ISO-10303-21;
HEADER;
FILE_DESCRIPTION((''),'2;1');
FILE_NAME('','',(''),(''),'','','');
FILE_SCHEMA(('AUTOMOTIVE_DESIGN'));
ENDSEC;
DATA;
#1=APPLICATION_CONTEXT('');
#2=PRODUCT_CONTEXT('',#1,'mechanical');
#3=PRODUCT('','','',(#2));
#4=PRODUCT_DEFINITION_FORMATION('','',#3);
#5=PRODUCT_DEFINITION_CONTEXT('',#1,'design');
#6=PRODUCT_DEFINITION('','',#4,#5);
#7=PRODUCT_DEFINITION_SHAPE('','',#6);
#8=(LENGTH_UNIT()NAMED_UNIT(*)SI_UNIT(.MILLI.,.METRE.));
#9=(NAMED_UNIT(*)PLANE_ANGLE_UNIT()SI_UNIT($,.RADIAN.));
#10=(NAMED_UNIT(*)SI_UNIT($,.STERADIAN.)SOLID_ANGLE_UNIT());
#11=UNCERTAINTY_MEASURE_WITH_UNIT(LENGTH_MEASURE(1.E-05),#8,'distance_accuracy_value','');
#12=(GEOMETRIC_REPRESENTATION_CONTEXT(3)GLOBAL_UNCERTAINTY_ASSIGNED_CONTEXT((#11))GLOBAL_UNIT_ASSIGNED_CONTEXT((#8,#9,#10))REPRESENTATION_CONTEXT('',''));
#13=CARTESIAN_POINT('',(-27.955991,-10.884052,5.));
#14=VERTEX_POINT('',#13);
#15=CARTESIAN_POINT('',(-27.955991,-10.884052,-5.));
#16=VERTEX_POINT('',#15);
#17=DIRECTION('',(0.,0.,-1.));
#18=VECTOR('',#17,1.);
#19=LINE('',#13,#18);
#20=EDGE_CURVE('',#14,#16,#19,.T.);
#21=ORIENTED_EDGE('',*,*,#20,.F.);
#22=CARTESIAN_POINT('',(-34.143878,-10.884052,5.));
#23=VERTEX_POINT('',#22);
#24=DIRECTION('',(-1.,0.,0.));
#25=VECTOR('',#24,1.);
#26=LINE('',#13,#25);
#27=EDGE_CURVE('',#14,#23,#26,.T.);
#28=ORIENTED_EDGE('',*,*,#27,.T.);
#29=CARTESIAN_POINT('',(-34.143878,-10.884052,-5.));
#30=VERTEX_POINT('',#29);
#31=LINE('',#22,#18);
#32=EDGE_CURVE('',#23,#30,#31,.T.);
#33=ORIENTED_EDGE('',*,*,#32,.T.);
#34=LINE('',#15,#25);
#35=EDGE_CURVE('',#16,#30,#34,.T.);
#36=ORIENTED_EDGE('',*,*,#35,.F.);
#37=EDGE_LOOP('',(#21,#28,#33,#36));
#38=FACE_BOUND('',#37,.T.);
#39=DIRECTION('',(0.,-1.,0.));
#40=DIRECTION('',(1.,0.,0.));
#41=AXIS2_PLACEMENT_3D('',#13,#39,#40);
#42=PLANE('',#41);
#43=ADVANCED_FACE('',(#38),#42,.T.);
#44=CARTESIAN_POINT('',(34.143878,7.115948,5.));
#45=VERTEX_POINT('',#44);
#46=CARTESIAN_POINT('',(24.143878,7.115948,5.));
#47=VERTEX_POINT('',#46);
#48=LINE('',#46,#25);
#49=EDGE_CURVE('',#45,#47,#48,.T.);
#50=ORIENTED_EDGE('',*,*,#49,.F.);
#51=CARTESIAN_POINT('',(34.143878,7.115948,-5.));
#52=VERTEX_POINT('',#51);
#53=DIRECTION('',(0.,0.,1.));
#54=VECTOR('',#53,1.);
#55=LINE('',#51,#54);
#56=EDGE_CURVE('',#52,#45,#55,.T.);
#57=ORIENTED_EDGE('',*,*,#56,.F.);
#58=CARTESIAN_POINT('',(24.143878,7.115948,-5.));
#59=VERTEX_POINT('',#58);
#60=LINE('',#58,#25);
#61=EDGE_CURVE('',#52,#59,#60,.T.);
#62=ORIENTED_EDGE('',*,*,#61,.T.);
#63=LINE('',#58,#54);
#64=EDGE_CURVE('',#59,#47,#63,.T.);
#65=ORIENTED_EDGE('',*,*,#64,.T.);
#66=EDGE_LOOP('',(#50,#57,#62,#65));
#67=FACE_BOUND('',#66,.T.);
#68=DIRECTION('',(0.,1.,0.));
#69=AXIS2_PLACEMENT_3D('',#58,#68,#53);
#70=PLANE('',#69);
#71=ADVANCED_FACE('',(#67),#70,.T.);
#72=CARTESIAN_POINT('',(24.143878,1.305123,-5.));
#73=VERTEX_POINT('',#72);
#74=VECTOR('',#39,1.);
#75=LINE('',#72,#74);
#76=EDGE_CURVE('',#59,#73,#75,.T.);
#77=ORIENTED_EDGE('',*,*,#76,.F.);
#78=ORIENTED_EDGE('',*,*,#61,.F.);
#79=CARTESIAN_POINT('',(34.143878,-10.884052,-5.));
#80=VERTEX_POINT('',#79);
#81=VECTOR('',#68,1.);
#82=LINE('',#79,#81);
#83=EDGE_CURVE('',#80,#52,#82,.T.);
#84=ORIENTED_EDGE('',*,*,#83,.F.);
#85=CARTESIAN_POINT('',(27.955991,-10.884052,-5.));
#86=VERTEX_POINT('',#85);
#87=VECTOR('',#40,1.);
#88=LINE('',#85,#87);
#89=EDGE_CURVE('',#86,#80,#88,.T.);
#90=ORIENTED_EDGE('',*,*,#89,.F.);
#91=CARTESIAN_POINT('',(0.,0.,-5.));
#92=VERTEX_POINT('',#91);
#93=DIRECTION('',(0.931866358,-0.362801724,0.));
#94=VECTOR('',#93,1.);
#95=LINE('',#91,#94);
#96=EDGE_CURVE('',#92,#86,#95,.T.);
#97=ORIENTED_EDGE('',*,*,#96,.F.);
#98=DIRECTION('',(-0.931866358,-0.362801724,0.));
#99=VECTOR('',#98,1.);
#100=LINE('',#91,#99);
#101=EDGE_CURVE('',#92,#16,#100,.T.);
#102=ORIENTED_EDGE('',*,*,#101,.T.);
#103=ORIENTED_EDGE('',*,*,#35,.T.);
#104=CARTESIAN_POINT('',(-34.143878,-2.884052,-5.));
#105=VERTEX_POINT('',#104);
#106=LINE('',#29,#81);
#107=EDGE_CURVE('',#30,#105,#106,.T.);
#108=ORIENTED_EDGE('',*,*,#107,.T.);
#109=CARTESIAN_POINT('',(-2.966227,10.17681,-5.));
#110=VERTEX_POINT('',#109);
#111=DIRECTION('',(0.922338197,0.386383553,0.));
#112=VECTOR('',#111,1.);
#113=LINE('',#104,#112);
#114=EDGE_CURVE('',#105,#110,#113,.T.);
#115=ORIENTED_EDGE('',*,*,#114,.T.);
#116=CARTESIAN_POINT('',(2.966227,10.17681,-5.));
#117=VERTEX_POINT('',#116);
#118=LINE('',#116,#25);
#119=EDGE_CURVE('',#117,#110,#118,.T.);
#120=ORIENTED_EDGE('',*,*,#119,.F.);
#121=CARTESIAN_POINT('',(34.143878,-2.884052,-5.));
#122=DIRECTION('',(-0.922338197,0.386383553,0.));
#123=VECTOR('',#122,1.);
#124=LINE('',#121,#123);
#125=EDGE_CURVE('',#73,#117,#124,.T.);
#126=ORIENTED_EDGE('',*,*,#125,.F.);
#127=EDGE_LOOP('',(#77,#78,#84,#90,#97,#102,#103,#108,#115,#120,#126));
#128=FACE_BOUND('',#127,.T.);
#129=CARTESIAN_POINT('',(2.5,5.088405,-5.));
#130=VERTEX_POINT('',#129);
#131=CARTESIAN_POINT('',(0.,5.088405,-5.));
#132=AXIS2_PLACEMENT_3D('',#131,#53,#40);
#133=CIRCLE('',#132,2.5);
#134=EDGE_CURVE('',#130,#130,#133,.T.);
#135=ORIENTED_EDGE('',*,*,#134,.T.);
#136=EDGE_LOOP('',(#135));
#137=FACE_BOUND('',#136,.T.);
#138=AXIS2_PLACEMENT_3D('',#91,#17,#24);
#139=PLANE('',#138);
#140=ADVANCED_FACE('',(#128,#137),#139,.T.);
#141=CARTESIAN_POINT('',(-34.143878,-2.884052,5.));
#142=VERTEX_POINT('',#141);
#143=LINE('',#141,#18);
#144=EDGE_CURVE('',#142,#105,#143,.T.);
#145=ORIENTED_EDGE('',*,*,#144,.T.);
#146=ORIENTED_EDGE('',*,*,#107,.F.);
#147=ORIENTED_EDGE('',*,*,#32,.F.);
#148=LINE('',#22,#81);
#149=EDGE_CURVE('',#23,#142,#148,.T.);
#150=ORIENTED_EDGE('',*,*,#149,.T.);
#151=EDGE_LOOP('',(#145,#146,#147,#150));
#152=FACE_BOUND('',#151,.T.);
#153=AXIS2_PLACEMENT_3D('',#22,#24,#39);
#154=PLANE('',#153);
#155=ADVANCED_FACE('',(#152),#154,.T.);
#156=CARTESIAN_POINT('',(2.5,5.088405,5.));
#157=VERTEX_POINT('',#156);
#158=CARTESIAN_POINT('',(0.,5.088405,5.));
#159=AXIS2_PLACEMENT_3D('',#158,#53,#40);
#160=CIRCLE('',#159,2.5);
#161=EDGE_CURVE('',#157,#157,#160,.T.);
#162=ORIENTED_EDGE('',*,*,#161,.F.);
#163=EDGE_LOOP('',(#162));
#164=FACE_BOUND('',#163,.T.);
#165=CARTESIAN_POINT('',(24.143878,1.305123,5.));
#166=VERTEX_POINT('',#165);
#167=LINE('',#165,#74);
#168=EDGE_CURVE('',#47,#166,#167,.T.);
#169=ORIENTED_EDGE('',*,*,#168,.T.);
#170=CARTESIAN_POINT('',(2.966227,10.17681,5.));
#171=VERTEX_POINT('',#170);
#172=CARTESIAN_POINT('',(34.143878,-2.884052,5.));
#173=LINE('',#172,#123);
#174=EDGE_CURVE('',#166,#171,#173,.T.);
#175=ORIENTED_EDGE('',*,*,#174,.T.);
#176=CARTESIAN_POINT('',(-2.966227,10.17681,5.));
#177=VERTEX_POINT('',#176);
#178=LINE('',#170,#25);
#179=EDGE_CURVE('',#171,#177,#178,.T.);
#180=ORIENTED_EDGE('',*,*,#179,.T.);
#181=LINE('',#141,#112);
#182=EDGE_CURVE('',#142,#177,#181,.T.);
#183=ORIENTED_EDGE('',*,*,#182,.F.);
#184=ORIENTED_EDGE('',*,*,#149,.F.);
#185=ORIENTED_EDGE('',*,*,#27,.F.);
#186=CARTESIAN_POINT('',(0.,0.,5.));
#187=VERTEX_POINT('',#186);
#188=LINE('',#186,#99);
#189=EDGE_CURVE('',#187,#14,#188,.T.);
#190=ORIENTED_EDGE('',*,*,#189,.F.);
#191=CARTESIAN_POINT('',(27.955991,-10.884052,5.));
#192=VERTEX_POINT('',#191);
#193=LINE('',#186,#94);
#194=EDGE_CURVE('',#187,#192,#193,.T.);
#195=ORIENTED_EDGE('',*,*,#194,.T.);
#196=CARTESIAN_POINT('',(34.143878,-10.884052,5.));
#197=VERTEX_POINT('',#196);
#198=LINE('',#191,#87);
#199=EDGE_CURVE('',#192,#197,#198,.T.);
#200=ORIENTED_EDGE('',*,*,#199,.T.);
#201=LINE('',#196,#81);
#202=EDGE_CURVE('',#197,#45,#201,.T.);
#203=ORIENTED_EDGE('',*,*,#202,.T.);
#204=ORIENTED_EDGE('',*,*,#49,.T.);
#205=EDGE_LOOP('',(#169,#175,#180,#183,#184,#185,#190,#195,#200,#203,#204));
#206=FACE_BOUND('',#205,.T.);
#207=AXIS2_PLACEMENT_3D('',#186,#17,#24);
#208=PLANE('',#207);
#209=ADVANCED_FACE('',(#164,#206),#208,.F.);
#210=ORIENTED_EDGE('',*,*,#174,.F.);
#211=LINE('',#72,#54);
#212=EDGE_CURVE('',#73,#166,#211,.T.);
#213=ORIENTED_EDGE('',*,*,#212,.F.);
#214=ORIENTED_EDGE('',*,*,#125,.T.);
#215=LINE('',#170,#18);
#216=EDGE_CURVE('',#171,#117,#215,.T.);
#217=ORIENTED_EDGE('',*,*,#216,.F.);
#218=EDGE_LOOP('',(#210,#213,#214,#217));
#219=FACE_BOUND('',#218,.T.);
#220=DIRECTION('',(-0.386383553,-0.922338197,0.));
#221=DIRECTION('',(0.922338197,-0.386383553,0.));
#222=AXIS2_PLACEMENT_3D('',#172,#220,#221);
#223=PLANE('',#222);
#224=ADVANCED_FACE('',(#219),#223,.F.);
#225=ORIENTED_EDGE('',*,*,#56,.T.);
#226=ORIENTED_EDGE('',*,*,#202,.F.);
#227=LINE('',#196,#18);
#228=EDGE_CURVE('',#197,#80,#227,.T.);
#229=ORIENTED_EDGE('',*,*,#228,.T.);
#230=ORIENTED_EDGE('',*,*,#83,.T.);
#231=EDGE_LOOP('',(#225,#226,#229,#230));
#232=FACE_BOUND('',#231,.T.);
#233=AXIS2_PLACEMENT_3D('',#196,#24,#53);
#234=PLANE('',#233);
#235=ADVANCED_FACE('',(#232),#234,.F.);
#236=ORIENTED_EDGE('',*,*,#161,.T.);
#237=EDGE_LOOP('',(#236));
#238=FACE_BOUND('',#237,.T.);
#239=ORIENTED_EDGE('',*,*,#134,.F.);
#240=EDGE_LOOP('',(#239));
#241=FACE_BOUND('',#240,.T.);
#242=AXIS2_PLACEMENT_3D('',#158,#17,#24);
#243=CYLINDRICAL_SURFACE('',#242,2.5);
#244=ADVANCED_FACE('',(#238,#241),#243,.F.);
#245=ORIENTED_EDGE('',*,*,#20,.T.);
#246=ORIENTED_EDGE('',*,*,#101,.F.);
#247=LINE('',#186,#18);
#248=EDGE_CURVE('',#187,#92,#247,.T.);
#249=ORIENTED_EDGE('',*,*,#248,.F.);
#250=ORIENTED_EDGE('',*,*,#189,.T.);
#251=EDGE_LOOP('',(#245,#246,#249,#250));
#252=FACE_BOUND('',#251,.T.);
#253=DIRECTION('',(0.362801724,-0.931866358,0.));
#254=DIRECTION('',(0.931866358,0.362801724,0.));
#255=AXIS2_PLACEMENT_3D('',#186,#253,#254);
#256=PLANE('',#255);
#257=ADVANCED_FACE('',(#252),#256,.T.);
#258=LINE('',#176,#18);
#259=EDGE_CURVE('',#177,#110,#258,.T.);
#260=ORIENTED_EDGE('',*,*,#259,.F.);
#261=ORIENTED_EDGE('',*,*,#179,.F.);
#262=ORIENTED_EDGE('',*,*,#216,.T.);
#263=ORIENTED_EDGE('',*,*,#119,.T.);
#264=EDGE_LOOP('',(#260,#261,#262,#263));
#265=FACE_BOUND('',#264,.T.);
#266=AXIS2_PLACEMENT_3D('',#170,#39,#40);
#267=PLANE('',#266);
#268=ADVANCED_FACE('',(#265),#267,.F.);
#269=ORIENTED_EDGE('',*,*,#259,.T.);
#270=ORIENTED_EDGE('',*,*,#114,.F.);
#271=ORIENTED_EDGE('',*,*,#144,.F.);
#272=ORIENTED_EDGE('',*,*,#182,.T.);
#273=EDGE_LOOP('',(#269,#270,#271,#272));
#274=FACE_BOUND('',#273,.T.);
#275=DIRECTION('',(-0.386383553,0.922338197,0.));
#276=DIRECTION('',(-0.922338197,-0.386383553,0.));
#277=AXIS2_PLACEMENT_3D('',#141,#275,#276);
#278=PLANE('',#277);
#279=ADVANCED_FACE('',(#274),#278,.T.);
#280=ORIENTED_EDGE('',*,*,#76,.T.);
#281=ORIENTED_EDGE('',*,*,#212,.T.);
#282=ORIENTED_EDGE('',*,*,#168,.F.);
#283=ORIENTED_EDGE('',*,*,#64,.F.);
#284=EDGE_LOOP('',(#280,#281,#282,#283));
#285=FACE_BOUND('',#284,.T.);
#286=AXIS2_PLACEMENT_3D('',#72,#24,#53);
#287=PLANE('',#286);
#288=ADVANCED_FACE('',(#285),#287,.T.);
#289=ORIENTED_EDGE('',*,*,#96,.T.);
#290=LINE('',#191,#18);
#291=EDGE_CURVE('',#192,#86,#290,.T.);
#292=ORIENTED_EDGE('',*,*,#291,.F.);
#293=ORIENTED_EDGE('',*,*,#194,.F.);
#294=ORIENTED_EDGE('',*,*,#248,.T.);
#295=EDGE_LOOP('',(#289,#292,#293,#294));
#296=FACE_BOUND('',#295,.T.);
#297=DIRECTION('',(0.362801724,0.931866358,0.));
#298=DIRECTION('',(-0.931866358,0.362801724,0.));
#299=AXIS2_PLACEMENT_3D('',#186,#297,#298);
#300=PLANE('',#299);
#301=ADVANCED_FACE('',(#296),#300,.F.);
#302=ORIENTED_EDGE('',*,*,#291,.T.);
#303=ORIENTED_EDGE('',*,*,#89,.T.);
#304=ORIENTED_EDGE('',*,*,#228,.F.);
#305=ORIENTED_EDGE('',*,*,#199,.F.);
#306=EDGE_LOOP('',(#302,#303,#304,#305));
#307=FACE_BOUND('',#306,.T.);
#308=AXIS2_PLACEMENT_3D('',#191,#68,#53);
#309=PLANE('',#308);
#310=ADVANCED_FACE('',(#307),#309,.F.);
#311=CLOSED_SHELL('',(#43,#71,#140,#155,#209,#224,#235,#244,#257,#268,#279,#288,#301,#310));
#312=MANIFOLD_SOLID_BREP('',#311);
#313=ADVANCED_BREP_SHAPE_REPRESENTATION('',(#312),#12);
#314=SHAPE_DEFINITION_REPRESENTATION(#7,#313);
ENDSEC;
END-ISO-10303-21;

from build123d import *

# Parameters (mm, degrees)
SKETCH1_R           = 2.5
BOSS_EXTRUDE1_DEPTH = 5
BOSS_EXTRUDE2_DEPTH = 10


with BuildPart() as part:
    # Sketch1 → Boss-Extrude1 (new, symmetric)
    with BuildSketch(Plane.XY):
        Polygon((0, 0), (27.955990735, -10.884051729), (34.143878012, -10.884051729), (34.143878012, -2.884051729), (2.966226636, 10.176810065), (-2.966226636, 10.176810065), (-34.143878012, -2.884051729), (-34.143878012, -10.884051729), (-27.955990735, -10.884051729), align=None)
        with Locations((0, 5.088405032)):
            Circle(SKETCH1_R, mode=Mode.SUBTRACT)
    extrude(amount=BOSS_EXTRUDE1_DEPTH, both=True)

    # Sketch3 → Boss-Extrude2 (add)
    with BuildSketch(Plane.XY.offset(5)):
        Polygon((34.143878012, -2.884051729), (24.143878012, 1.305122637), (24.143878012, 7.115948271), (34.143878012, 7.115948271), align=None)
    extrude(amount=-BOSS_EXTRUDE2_DEPTH)


solid = part.part
